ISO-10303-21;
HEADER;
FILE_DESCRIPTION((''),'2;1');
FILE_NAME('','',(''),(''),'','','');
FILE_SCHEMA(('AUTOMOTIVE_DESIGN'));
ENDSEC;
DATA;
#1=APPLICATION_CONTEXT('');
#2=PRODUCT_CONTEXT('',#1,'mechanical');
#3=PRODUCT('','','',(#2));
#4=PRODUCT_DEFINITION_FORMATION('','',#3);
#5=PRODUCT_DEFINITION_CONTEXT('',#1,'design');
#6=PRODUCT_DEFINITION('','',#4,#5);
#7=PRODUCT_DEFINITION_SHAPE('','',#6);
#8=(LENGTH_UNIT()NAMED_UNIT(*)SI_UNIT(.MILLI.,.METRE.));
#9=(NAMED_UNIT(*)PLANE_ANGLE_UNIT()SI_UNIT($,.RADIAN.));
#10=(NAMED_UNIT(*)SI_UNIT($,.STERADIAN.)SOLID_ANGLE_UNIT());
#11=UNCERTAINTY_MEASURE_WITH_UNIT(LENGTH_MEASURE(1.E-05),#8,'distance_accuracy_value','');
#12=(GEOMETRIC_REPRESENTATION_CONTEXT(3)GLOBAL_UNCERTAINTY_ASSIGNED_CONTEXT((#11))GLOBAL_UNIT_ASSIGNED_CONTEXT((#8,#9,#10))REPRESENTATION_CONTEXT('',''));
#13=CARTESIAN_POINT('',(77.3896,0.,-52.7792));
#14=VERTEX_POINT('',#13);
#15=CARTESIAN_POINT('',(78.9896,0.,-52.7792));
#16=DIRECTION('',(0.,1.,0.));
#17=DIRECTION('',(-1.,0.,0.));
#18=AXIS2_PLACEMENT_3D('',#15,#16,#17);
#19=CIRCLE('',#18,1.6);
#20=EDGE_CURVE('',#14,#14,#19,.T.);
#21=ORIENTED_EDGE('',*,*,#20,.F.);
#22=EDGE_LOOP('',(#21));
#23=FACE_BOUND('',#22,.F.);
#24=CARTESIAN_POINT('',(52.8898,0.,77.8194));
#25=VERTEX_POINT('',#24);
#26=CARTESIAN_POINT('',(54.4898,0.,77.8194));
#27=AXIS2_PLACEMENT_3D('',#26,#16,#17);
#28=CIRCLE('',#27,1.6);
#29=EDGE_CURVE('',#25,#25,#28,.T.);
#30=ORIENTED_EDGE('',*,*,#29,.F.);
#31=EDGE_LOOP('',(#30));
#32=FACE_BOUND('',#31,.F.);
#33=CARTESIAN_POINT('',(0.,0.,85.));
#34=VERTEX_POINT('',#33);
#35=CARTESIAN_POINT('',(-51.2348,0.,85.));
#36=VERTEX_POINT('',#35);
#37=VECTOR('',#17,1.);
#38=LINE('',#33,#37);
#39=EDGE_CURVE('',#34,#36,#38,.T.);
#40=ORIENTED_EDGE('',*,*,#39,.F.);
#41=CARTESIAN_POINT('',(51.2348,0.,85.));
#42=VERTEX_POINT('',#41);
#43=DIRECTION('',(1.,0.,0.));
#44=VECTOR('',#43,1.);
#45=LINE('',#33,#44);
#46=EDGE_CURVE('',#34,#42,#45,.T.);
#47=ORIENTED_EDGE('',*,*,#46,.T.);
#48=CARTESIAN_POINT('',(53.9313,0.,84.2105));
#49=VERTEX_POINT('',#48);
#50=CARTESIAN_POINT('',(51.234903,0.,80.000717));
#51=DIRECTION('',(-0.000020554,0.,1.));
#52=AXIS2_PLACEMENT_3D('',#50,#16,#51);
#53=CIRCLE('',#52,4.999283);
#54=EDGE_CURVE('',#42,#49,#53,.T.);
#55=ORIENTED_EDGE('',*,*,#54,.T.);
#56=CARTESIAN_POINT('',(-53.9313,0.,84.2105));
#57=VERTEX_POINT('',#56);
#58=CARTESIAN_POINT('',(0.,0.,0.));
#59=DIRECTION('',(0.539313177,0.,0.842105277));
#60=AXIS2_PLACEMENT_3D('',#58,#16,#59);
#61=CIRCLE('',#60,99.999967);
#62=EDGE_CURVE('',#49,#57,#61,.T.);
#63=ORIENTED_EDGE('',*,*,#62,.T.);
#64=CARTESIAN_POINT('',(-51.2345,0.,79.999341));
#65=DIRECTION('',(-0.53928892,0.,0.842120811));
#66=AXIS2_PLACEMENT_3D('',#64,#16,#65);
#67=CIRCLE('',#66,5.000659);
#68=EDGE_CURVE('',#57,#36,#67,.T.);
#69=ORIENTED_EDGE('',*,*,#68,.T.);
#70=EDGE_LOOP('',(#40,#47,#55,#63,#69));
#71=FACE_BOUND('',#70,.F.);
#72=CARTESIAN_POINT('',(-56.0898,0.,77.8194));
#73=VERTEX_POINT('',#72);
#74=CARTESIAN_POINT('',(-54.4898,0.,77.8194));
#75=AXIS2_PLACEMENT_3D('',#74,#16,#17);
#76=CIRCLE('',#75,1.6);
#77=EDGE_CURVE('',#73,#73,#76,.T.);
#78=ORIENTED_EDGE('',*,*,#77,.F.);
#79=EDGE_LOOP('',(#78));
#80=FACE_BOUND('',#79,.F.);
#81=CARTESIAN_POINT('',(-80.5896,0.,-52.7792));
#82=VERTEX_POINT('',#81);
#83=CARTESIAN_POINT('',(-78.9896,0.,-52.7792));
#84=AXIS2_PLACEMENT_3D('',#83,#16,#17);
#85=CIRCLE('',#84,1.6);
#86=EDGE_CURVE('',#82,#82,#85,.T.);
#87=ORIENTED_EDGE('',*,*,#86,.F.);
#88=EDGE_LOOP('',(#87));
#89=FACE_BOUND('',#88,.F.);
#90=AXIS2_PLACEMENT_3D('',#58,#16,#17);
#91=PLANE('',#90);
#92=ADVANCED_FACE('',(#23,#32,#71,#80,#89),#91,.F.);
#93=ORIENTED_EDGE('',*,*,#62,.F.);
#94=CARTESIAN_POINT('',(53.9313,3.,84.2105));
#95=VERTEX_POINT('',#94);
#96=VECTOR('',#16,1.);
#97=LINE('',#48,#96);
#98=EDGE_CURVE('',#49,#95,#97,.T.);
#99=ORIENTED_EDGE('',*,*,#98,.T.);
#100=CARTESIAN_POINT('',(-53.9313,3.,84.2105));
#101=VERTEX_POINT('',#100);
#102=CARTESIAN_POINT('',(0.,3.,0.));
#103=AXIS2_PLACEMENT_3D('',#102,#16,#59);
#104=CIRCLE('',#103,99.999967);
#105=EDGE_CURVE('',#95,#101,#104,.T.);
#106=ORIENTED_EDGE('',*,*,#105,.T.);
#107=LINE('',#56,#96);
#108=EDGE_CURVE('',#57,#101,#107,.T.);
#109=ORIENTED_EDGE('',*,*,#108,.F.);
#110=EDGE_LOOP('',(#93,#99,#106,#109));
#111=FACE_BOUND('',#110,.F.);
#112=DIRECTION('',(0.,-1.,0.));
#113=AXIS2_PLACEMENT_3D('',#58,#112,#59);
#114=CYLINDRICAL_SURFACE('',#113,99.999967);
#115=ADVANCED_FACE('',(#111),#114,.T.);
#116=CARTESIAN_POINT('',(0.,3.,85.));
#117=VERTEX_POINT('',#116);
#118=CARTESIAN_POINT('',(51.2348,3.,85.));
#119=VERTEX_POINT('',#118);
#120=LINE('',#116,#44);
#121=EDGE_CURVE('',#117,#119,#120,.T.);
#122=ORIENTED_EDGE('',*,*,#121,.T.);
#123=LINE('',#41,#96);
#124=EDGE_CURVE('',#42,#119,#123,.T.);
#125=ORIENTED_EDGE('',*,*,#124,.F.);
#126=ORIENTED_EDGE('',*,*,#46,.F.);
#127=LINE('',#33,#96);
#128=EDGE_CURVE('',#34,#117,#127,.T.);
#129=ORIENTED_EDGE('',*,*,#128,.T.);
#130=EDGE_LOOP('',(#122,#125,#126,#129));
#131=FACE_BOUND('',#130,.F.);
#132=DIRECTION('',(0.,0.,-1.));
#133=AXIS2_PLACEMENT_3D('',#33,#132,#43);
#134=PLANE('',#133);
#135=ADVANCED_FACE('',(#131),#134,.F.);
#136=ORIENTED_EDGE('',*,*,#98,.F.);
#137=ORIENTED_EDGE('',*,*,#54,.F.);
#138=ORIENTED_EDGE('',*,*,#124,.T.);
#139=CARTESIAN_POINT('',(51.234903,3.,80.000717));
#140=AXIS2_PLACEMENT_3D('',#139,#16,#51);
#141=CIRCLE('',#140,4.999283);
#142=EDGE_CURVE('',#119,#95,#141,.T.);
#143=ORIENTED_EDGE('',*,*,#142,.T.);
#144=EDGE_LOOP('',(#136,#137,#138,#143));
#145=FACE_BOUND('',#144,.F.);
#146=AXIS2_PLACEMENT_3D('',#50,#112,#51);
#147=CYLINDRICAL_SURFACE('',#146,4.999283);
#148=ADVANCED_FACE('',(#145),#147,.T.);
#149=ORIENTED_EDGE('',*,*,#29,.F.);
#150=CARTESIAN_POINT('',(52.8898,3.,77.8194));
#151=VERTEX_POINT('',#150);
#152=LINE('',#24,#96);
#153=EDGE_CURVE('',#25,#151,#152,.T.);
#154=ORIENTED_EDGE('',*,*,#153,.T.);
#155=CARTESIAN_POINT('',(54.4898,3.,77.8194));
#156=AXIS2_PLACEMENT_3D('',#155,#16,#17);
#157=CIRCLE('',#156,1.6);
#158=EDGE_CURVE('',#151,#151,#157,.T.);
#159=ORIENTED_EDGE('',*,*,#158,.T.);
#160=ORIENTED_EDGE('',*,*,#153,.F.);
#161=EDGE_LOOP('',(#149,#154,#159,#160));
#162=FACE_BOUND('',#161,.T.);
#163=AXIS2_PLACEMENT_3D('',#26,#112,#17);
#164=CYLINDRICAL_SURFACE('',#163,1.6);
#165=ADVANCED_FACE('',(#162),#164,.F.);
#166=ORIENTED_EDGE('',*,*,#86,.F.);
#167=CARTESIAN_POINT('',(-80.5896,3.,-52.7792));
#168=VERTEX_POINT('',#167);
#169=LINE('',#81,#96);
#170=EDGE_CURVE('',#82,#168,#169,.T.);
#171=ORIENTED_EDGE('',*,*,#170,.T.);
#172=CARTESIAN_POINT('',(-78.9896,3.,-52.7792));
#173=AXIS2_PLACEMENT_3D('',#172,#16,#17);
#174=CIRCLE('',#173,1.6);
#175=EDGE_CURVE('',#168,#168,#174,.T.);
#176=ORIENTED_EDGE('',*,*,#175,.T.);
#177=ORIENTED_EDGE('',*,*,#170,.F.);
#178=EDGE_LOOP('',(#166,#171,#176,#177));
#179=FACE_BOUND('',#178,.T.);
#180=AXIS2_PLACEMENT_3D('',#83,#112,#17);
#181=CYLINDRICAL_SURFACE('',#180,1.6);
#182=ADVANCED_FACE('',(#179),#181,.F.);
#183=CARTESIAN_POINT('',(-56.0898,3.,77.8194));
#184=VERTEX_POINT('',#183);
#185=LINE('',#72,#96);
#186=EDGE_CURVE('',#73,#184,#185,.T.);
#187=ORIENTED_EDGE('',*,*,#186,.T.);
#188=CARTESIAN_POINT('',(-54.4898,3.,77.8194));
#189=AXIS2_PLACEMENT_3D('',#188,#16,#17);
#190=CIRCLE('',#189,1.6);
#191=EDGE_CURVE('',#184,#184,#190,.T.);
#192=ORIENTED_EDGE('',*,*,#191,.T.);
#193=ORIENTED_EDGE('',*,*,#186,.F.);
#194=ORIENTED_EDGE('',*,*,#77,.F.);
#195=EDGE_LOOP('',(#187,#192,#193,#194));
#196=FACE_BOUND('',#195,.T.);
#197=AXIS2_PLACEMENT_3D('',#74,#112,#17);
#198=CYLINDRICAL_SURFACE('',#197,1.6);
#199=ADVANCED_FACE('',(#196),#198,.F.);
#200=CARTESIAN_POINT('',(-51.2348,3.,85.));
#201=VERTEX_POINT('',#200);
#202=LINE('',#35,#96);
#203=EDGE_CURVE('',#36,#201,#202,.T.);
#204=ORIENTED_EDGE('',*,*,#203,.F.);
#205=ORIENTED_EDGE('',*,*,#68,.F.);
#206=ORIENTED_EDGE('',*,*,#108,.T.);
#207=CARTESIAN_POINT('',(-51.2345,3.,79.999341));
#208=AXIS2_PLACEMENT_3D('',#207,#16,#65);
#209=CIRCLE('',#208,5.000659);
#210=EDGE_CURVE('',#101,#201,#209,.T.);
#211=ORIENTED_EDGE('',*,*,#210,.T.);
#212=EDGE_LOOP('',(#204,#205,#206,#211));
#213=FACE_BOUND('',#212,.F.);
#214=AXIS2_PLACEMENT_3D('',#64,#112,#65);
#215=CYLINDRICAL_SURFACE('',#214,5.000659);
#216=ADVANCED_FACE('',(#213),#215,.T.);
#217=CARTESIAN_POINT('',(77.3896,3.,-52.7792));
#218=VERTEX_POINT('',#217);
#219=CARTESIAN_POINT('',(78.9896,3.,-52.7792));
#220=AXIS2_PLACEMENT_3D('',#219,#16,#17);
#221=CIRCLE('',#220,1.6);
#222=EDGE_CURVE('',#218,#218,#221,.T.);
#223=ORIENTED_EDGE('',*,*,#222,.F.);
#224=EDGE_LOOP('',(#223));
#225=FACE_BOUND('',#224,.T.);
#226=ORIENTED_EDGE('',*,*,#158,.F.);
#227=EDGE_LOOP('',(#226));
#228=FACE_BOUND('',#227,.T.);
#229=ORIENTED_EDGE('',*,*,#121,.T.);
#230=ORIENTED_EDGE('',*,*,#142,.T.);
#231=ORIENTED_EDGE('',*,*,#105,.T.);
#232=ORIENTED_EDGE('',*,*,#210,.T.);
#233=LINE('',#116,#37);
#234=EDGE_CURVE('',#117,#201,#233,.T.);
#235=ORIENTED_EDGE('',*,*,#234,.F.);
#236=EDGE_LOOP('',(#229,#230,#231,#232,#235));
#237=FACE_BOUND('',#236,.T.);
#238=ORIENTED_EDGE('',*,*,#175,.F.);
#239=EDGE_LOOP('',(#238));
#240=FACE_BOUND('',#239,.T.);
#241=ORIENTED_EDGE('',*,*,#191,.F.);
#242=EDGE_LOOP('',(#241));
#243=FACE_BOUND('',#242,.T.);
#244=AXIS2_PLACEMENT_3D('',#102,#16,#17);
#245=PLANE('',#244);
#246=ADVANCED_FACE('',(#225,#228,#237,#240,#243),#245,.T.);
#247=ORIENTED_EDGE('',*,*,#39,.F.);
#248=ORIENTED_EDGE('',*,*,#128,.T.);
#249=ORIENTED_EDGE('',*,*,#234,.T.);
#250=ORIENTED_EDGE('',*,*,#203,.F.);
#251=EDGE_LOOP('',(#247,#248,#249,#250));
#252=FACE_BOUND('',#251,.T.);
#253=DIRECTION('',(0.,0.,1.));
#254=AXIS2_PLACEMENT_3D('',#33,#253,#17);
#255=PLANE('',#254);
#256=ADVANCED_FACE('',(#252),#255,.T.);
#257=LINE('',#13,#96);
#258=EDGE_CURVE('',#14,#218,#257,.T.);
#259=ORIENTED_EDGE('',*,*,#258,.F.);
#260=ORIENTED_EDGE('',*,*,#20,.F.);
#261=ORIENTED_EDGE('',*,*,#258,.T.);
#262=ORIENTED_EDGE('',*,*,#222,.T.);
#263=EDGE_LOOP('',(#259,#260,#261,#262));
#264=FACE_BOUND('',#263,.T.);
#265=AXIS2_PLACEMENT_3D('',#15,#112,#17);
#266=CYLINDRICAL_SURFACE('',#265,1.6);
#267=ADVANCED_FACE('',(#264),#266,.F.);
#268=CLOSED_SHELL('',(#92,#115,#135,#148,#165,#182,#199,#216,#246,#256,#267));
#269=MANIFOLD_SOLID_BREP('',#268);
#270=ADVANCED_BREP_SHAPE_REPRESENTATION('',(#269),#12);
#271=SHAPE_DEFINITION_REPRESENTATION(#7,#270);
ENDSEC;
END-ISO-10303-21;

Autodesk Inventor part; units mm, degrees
ref_plane "YZ Plane" through (0, 0, 0) normal (1, 0, 0) x (0, 1, 0)
ref_plane "XZ Plane" through (0, 0, 0) normal (0, 1, 0) x (-1, 0, 0)
ref_plane "XY Plane" through (0, 0, 0) normal (0, 0, 1) x (1, 0, 0)
sketch "Sketch1" plane through (0, 0, 0) normal (0, 1, 0) x (-1, 0, 0)
  circle A0 centre (-54.4898, 77.8194) radius 1.6
  circle A1 centre (54.4898, 77.8194) radius 1.6
  circle A2 centre (-78.9896, -52.7792) radius 1.6
  circle A3 centre (78.9896, -52.7792) radius 1.6
  line L0 (0, 85) -> (51.2348, 85)
  line L1 (0, 85) -> (-51.2348, 85)
  arc A4 (-53.9313, 84.2105) -> (53.9313, 84.2105) centre (0, 0) ccw
  arc A5 (53.9313, 84.2105) -> (51.2348, 85) centre (51.2348, 80) ccw
  arc A6 (-51.2348, 85) -> (-53.9313, 84.2105) centre (-51.2348, 80) ccw
  point P0 (-54.3117, 78)
  point P1 (54.3117, 78)
  point P2 (52.6783, 85)
  point P3 (-52.6783, 85)
  dimension "d11" = 3.2
  dimension "d12" = 3.2
  dimension "d13" = 3.2
  dimension "d14" = 3.2
  dimension "d20" = 5
extrude "Extrusion1" add sketch "Sketch1" along normal blind 3
properties part number "Top Plate"
